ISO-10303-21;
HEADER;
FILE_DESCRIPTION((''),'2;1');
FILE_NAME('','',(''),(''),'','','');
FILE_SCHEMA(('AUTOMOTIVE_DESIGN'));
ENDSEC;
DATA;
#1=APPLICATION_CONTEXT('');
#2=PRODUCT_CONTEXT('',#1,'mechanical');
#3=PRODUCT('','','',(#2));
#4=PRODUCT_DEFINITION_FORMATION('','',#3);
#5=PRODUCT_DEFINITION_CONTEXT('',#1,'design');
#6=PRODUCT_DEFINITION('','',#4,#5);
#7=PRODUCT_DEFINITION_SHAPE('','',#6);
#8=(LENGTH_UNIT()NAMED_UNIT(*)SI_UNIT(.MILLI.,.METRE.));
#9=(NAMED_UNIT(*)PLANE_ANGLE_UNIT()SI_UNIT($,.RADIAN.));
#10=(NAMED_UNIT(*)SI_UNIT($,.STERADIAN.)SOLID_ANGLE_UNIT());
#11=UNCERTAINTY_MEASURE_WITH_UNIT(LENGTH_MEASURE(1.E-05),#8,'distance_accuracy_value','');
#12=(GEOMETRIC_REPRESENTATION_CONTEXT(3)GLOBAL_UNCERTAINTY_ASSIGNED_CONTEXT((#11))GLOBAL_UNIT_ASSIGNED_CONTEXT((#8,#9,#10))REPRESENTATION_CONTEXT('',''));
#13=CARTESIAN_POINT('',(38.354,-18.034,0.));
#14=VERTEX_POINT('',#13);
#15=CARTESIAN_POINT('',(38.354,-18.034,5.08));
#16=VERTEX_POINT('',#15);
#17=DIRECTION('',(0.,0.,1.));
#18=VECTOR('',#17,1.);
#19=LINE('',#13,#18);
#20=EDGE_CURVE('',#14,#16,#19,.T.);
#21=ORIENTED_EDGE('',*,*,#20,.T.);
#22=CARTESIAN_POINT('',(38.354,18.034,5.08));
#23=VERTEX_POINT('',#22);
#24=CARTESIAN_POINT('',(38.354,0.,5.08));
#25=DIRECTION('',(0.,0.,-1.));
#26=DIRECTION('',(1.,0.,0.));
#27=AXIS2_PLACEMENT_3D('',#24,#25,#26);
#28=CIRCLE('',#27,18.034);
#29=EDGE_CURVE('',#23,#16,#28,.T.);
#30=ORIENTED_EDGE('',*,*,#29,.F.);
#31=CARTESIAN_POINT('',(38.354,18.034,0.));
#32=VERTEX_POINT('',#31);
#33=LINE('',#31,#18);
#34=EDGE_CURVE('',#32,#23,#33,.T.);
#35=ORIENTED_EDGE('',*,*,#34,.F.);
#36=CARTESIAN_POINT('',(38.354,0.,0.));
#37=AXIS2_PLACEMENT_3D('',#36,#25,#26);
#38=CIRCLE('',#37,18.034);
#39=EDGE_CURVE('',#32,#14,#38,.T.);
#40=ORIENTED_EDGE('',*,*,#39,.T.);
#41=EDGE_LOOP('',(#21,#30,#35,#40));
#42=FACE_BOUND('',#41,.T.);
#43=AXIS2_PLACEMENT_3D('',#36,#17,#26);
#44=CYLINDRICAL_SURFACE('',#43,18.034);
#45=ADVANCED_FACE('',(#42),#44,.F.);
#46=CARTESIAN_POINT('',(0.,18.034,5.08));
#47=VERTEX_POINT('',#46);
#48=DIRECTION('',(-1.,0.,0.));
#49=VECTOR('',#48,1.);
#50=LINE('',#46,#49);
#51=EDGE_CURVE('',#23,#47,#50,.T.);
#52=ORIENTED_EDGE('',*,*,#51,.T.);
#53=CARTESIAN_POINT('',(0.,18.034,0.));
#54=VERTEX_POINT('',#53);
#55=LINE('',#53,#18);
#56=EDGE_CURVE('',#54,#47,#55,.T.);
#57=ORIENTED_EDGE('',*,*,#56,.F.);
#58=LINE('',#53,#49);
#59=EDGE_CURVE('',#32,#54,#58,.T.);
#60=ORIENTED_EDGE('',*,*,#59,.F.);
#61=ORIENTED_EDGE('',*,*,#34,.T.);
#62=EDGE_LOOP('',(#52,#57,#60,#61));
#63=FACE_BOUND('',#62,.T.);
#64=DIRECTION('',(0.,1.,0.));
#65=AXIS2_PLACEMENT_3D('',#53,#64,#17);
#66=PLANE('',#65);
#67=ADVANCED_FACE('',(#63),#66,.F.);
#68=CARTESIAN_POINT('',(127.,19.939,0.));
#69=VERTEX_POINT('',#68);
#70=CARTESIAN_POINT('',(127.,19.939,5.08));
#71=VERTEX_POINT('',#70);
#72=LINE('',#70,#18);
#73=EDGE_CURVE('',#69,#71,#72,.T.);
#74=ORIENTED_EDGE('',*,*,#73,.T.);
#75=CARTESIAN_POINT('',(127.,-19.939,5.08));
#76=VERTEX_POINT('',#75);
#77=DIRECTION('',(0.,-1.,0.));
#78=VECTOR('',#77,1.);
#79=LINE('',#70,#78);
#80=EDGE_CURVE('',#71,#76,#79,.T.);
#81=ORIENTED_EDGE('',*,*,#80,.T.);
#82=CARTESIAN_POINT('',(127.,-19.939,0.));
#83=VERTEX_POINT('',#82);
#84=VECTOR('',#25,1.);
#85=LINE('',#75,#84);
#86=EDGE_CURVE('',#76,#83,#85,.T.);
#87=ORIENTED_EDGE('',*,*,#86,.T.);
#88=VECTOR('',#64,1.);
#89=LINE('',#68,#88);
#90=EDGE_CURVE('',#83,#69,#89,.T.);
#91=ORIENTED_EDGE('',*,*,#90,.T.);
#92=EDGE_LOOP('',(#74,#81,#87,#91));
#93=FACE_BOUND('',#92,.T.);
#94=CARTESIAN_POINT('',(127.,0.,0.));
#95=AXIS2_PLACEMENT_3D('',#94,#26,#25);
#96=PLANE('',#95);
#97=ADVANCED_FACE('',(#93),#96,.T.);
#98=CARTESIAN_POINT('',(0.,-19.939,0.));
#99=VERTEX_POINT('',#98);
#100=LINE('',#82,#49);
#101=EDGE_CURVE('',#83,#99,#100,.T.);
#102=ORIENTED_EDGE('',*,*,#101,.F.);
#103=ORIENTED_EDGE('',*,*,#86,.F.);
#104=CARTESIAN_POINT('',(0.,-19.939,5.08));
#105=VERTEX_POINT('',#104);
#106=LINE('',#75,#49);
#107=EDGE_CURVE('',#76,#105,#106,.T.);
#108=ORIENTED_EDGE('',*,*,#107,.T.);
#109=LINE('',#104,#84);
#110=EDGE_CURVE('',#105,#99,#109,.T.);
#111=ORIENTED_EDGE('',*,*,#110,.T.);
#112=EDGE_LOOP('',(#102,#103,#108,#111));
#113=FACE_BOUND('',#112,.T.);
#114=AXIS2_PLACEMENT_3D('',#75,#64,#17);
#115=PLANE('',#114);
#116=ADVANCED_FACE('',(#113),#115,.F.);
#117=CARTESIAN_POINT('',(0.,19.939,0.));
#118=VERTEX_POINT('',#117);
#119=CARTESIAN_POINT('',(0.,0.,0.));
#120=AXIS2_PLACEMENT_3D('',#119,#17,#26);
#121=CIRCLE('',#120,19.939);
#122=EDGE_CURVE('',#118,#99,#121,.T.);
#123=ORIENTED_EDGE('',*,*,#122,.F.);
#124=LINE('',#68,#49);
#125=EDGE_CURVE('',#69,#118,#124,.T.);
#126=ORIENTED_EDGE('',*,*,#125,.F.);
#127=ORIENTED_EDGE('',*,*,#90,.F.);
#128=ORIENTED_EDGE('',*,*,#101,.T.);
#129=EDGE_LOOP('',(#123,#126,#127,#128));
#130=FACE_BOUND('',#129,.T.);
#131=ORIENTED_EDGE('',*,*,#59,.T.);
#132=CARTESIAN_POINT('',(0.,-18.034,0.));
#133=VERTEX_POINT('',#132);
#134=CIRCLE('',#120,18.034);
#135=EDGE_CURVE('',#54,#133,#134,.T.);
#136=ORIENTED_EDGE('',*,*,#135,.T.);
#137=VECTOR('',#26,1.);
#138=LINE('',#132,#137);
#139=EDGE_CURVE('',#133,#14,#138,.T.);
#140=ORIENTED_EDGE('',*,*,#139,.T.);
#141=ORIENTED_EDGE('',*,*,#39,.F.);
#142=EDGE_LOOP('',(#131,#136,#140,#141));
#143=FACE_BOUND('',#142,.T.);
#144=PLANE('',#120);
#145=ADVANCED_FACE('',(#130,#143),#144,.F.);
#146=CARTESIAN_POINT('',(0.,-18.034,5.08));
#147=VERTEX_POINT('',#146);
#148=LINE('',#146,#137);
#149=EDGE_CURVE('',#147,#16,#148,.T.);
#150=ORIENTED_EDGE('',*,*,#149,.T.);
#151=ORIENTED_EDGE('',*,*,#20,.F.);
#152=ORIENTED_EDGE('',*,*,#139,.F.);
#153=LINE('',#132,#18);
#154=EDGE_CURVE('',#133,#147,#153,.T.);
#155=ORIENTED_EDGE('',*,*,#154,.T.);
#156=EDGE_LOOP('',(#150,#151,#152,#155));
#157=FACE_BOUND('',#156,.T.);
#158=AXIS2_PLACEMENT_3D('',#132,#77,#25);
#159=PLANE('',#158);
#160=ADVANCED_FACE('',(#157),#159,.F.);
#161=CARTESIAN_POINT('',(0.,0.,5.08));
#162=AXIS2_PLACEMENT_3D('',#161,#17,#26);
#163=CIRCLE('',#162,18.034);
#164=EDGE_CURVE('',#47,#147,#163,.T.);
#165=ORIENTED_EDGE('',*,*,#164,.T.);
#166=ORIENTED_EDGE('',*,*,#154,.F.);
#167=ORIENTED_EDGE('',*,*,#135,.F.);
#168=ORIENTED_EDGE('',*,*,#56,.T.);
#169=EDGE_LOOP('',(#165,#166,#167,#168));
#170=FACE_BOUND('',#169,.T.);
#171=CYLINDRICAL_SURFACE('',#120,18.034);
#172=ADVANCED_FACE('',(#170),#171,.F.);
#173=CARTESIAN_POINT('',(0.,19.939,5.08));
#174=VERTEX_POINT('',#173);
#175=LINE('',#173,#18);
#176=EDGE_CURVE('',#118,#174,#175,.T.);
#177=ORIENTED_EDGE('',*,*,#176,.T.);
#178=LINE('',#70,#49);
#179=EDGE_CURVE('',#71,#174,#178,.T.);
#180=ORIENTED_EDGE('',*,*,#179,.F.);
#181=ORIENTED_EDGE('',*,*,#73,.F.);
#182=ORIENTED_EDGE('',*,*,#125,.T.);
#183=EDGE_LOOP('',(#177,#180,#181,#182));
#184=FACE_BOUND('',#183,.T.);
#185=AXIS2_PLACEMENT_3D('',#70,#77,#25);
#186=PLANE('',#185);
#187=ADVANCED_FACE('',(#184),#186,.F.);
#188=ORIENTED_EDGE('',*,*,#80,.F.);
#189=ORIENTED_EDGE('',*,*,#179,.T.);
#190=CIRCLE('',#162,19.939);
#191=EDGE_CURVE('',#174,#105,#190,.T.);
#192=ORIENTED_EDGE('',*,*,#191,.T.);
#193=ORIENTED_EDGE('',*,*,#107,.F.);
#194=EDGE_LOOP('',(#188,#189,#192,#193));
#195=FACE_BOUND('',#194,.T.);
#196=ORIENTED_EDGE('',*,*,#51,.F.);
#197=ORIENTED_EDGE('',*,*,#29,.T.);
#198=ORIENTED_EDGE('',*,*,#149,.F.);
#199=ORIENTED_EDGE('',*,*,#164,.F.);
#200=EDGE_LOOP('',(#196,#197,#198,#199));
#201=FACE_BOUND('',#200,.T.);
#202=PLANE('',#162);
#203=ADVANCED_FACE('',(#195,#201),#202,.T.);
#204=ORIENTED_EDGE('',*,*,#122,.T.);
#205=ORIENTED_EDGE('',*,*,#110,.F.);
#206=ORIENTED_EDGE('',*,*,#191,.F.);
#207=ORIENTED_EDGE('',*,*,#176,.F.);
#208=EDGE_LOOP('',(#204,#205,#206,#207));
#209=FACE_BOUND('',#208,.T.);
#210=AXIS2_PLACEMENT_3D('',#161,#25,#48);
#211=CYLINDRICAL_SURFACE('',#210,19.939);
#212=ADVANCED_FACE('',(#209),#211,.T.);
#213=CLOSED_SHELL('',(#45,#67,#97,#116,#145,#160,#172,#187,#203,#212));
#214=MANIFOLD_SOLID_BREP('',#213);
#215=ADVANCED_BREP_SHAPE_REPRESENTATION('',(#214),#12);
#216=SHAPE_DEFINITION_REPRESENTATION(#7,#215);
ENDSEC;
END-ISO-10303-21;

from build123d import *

# Parameters (mm, degrees)
SKETCH1_R               = 19.939
CIRCLE_EXTRUDE_DEPTH    = 5.08
SKETCH3_W               = 5.08
SKETCH3_H               = 39.878
RECTANGLE_EXTRUDE_DEPTH = 127
SKETCH2_R               = 18.034
CIRCLE_CUT_DEPTH        = 129.65601471
SKETCH6_W               = 125.095
SKETCH6_H               = 36.068
RECTANGLE_CUT_DEPTH     = 129.65601471
END_SHAPE_DEPTH         = 5.08


with BuildPart() as part:
    # Sketch1 → circle extrude (new body)
    with BuildSketch(Plane.XY):
        Circle(SKETCH1_R)
    extrude(amount=CIRCLE_EXTRUDE_DEPTH)

    # Sketch3 → rectangle extrude (add)
    with BuildSketch(Plane(origin=(0, 0, 0), x_dir=(0, 0, -1), z_dir=(1, 0, 0))):
        with Locations((-2.54, 0)):
            Rectangle(SKETCH3_W, SKETCH3_H)
    extrude(amount=RECTANGLE_EXTRUDE_DEPTH)

    # Sketch2 → circle cut (cut, through all)
    with BuildSketch(Plane.XY.offset(5.08)):
        Circle(SKETCH2_R)
    extrude(amount=-CIRCLE_CUT_DEPTH, mode=Mode.SUBTRACT)

    # Sketch6 → rectangle cut (cut, through all)
    with BuildSketch(Plane.XY.offset(5.08)):
        with Locations((62.5475, 0)):
            Rectangle(SKETCH6_W, SKETCH6_H)
    extrude(amount=-RECTANGLE_CUT_DEPTH, mode=Mode.SUBTRACT)

    # Sketch7 → end shape (add)
    with BuildSketch(Plane.XY.offset(5.08)):
        with BuildLine():
            Line((38.354, 18.034), (125.095, 18.034))
            Line((125.095, 18.034), (125.095, -18.034))
            Line((125.095, -18.034), (38.354, -18.034))
            ThreePointArc((38.354, -18.034), (56.388, 0), (38.354, 18.034))
        make_face()
    extrude(amount=-END_SHAPE_DEPTH)


solid = part.part
